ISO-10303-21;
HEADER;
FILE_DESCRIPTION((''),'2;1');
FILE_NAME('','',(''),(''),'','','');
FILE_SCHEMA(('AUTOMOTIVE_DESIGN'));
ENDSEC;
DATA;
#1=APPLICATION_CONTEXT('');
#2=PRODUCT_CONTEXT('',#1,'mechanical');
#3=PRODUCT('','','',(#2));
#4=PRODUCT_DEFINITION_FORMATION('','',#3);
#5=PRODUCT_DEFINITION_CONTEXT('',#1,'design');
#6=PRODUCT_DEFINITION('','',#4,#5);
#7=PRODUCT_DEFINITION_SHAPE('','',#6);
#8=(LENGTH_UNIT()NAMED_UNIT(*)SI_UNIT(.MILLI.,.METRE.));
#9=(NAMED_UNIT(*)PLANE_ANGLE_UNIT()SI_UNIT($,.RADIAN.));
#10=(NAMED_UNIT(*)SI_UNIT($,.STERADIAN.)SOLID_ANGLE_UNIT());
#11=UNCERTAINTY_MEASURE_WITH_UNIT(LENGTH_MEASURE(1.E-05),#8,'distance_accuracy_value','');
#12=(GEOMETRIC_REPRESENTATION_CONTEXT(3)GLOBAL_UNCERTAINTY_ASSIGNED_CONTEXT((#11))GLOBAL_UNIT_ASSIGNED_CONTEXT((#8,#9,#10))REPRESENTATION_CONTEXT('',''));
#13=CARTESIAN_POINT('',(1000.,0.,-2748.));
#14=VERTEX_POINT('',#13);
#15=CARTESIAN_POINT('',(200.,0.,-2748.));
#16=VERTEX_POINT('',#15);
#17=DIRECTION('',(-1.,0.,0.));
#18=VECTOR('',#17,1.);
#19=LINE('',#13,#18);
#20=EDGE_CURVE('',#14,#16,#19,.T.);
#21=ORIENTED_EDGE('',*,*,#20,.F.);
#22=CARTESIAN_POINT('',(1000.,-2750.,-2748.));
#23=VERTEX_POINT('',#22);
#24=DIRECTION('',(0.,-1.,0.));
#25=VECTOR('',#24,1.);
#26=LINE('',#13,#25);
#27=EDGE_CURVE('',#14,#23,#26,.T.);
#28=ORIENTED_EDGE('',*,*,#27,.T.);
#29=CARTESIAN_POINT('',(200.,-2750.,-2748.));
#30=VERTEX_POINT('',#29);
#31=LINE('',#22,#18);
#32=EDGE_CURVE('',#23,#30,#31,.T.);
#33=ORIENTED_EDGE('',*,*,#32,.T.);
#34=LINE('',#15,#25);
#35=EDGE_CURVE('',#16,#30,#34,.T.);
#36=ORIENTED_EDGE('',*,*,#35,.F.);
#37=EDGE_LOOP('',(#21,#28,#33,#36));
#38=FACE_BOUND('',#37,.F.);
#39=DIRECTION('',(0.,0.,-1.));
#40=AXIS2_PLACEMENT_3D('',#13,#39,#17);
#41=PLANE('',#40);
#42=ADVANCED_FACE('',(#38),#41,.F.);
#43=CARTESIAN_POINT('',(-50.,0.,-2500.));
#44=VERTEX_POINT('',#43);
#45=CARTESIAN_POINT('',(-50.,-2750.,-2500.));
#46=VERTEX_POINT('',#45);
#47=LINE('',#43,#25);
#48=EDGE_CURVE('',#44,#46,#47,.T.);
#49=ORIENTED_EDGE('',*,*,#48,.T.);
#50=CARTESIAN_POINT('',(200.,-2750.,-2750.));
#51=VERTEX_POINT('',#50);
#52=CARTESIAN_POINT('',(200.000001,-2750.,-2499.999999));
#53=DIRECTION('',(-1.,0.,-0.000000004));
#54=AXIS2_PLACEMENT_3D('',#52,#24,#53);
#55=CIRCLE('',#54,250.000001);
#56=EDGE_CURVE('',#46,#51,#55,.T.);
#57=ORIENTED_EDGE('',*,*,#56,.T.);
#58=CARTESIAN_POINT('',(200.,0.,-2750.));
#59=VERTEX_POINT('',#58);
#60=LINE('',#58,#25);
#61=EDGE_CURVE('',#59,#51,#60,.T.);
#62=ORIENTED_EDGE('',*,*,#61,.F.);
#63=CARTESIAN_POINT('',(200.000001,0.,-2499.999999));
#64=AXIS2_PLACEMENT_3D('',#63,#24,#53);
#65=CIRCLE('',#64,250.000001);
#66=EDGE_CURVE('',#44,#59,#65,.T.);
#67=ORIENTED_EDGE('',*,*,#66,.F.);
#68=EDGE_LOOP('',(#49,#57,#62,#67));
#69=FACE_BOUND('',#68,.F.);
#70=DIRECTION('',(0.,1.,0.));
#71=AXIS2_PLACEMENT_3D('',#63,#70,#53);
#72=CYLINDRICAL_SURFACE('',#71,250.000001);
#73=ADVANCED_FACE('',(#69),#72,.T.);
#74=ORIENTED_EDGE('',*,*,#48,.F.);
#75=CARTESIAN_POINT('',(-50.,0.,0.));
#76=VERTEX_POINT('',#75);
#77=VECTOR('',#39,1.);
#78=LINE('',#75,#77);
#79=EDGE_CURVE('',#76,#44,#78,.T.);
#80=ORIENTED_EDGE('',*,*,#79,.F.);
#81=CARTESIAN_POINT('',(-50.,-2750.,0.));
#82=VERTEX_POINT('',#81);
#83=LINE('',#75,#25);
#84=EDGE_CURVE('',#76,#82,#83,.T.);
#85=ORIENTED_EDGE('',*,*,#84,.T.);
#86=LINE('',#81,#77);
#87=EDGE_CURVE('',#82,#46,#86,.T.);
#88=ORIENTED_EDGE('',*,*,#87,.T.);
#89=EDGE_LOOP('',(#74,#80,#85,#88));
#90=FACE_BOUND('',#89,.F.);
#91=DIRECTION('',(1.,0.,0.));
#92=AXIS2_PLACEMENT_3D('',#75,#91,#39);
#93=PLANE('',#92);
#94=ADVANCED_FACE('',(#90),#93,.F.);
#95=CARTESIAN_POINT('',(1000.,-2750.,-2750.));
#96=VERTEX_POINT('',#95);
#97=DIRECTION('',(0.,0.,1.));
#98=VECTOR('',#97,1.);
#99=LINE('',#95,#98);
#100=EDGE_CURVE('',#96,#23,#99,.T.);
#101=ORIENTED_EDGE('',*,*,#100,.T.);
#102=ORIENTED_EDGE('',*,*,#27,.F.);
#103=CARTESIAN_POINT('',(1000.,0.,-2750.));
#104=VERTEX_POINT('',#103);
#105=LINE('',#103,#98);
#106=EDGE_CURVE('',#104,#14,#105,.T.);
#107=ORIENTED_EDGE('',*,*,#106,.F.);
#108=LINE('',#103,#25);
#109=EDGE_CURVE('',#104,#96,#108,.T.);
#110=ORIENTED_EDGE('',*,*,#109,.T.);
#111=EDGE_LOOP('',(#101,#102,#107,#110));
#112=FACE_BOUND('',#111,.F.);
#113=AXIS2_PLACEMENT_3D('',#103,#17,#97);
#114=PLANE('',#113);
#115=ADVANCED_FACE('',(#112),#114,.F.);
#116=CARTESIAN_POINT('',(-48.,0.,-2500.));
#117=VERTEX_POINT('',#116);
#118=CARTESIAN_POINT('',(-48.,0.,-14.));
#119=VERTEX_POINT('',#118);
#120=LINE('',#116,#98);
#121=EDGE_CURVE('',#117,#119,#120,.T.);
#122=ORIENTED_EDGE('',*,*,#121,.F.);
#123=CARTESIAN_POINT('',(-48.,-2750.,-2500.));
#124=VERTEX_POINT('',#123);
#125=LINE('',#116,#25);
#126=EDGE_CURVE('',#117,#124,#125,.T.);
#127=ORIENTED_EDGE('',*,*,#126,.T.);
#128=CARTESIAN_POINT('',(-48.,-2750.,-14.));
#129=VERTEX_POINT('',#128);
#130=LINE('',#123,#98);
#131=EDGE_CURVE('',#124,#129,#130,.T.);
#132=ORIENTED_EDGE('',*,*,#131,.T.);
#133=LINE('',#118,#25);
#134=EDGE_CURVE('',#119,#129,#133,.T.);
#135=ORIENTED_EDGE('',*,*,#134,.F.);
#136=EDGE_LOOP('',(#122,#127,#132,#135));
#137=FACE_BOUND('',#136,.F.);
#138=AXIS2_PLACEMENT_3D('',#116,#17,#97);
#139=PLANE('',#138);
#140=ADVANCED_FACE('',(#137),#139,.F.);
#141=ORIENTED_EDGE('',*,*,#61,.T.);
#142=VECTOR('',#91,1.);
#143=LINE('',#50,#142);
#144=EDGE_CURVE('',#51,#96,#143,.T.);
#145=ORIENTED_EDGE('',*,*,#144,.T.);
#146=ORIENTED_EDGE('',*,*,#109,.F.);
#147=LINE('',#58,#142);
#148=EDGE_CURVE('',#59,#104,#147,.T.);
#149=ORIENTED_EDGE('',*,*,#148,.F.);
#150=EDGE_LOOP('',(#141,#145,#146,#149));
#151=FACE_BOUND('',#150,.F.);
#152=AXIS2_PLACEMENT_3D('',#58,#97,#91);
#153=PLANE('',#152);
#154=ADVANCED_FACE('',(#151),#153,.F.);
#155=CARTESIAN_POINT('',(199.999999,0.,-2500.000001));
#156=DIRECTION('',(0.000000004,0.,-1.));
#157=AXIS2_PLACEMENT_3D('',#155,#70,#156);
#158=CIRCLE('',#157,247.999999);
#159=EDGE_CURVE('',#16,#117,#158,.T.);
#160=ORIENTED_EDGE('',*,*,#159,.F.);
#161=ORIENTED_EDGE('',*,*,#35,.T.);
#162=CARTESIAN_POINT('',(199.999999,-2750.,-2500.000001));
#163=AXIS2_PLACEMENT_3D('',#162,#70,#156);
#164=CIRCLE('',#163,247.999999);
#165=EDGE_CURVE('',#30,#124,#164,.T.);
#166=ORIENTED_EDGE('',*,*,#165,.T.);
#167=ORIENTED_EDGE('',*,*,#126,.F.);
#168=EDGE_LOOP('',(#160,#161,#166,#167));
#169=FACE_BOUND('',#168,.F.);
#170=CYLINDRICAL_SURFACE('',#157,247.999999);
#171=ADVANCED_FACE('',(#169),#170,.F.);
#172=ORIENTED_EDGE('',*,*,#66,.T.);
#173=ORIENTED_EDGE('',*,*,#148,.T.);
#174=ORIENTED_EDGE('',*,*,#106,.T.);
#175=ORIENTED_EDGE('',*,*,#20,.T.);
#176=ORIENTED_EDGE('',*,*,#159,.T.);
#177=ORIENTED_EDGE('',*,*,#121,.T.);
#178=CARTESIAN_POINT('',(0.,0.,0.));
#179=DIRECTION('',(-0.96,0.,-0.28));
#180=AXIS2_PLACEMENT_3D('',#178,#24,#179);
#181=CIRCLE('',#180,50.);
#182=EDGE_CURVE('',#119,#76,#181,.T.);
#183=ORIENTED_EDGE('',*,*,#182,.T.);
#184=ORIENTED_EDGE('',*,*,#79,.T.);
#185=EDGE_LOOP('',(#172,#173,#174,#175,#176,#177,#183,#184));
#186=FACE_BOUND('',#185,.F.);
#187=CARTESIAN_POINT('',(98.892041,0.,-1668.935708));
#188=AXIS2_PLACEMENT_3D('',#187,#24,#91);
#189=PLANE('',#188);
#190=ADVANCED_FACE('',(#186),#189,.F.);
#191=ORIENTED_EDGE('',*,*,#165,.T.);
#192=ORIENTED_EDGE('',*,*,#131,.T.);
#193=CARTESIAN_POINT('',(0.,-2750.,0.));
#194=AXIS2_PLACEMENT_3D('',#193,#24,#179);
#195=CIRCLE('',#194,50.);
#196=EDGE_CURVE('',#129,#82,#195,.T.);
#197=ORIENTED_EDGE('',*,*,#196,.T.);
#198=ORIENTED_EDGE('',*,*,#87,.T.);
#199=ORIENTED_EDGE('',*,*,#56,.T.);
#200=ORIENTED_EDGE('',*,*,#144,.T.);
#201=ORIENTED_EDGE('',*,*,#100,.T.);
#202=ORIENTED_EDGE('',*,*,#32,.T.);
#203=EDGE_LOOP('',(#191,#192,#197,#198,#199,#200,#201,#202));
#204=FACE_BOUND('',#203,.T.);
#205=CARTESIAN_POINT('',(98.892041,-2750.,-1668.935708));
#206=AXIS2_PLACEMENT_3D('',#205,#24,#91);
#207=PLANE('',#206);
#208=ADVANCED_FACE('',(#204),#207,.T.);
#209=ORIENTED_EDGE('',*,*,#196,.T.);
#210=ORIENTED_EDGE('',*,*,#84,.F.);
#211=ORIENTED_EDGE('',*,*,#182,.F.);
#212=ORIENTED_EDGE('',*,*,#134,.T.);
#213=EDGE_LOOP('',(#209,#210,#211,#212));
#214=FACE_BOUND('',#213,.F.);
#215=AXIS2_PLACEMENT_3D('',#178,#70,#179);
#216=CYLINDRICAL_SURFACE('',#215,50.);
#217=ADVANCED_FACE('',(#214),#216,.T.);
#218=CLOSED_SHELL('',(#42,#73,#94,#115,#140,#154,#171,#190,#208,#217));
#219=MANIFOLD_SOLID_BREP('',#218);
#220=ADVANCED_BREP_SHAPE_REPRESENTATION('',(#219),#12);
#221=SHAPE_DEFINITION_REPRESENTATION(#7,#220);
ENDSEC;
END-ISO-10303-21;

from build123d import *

# Parameters (mm, degrees)
F1_DEPTH = 2750


with BuildPart() as f1:
    # F0 (on Front) → F1 (new body)
    with BuildSketch(Plane.XZ):
        with BuildLine():
            Line((-48, -2500), (-48, -14))
            ThreePointArc((-48, -14), (49.497475, 7.071068), (-50, 0))
            Line((-50, 0), (-50, -2500))
            ThreePointArc((-50, -2500), (23.223305, -2676.776695), (200, -2750))
            Line((200, -2750), (1000, -2750))
            Line((1000, -2750), (1000, -2748))
            Line((1000, -2748), (200, -2748))
            ThreePointArc((200, -2748), (24.637518, -2675.362482), (-48, -2500))
        make_face()
    extrude(amount=F1_DEPTH)


solid = f1.part
